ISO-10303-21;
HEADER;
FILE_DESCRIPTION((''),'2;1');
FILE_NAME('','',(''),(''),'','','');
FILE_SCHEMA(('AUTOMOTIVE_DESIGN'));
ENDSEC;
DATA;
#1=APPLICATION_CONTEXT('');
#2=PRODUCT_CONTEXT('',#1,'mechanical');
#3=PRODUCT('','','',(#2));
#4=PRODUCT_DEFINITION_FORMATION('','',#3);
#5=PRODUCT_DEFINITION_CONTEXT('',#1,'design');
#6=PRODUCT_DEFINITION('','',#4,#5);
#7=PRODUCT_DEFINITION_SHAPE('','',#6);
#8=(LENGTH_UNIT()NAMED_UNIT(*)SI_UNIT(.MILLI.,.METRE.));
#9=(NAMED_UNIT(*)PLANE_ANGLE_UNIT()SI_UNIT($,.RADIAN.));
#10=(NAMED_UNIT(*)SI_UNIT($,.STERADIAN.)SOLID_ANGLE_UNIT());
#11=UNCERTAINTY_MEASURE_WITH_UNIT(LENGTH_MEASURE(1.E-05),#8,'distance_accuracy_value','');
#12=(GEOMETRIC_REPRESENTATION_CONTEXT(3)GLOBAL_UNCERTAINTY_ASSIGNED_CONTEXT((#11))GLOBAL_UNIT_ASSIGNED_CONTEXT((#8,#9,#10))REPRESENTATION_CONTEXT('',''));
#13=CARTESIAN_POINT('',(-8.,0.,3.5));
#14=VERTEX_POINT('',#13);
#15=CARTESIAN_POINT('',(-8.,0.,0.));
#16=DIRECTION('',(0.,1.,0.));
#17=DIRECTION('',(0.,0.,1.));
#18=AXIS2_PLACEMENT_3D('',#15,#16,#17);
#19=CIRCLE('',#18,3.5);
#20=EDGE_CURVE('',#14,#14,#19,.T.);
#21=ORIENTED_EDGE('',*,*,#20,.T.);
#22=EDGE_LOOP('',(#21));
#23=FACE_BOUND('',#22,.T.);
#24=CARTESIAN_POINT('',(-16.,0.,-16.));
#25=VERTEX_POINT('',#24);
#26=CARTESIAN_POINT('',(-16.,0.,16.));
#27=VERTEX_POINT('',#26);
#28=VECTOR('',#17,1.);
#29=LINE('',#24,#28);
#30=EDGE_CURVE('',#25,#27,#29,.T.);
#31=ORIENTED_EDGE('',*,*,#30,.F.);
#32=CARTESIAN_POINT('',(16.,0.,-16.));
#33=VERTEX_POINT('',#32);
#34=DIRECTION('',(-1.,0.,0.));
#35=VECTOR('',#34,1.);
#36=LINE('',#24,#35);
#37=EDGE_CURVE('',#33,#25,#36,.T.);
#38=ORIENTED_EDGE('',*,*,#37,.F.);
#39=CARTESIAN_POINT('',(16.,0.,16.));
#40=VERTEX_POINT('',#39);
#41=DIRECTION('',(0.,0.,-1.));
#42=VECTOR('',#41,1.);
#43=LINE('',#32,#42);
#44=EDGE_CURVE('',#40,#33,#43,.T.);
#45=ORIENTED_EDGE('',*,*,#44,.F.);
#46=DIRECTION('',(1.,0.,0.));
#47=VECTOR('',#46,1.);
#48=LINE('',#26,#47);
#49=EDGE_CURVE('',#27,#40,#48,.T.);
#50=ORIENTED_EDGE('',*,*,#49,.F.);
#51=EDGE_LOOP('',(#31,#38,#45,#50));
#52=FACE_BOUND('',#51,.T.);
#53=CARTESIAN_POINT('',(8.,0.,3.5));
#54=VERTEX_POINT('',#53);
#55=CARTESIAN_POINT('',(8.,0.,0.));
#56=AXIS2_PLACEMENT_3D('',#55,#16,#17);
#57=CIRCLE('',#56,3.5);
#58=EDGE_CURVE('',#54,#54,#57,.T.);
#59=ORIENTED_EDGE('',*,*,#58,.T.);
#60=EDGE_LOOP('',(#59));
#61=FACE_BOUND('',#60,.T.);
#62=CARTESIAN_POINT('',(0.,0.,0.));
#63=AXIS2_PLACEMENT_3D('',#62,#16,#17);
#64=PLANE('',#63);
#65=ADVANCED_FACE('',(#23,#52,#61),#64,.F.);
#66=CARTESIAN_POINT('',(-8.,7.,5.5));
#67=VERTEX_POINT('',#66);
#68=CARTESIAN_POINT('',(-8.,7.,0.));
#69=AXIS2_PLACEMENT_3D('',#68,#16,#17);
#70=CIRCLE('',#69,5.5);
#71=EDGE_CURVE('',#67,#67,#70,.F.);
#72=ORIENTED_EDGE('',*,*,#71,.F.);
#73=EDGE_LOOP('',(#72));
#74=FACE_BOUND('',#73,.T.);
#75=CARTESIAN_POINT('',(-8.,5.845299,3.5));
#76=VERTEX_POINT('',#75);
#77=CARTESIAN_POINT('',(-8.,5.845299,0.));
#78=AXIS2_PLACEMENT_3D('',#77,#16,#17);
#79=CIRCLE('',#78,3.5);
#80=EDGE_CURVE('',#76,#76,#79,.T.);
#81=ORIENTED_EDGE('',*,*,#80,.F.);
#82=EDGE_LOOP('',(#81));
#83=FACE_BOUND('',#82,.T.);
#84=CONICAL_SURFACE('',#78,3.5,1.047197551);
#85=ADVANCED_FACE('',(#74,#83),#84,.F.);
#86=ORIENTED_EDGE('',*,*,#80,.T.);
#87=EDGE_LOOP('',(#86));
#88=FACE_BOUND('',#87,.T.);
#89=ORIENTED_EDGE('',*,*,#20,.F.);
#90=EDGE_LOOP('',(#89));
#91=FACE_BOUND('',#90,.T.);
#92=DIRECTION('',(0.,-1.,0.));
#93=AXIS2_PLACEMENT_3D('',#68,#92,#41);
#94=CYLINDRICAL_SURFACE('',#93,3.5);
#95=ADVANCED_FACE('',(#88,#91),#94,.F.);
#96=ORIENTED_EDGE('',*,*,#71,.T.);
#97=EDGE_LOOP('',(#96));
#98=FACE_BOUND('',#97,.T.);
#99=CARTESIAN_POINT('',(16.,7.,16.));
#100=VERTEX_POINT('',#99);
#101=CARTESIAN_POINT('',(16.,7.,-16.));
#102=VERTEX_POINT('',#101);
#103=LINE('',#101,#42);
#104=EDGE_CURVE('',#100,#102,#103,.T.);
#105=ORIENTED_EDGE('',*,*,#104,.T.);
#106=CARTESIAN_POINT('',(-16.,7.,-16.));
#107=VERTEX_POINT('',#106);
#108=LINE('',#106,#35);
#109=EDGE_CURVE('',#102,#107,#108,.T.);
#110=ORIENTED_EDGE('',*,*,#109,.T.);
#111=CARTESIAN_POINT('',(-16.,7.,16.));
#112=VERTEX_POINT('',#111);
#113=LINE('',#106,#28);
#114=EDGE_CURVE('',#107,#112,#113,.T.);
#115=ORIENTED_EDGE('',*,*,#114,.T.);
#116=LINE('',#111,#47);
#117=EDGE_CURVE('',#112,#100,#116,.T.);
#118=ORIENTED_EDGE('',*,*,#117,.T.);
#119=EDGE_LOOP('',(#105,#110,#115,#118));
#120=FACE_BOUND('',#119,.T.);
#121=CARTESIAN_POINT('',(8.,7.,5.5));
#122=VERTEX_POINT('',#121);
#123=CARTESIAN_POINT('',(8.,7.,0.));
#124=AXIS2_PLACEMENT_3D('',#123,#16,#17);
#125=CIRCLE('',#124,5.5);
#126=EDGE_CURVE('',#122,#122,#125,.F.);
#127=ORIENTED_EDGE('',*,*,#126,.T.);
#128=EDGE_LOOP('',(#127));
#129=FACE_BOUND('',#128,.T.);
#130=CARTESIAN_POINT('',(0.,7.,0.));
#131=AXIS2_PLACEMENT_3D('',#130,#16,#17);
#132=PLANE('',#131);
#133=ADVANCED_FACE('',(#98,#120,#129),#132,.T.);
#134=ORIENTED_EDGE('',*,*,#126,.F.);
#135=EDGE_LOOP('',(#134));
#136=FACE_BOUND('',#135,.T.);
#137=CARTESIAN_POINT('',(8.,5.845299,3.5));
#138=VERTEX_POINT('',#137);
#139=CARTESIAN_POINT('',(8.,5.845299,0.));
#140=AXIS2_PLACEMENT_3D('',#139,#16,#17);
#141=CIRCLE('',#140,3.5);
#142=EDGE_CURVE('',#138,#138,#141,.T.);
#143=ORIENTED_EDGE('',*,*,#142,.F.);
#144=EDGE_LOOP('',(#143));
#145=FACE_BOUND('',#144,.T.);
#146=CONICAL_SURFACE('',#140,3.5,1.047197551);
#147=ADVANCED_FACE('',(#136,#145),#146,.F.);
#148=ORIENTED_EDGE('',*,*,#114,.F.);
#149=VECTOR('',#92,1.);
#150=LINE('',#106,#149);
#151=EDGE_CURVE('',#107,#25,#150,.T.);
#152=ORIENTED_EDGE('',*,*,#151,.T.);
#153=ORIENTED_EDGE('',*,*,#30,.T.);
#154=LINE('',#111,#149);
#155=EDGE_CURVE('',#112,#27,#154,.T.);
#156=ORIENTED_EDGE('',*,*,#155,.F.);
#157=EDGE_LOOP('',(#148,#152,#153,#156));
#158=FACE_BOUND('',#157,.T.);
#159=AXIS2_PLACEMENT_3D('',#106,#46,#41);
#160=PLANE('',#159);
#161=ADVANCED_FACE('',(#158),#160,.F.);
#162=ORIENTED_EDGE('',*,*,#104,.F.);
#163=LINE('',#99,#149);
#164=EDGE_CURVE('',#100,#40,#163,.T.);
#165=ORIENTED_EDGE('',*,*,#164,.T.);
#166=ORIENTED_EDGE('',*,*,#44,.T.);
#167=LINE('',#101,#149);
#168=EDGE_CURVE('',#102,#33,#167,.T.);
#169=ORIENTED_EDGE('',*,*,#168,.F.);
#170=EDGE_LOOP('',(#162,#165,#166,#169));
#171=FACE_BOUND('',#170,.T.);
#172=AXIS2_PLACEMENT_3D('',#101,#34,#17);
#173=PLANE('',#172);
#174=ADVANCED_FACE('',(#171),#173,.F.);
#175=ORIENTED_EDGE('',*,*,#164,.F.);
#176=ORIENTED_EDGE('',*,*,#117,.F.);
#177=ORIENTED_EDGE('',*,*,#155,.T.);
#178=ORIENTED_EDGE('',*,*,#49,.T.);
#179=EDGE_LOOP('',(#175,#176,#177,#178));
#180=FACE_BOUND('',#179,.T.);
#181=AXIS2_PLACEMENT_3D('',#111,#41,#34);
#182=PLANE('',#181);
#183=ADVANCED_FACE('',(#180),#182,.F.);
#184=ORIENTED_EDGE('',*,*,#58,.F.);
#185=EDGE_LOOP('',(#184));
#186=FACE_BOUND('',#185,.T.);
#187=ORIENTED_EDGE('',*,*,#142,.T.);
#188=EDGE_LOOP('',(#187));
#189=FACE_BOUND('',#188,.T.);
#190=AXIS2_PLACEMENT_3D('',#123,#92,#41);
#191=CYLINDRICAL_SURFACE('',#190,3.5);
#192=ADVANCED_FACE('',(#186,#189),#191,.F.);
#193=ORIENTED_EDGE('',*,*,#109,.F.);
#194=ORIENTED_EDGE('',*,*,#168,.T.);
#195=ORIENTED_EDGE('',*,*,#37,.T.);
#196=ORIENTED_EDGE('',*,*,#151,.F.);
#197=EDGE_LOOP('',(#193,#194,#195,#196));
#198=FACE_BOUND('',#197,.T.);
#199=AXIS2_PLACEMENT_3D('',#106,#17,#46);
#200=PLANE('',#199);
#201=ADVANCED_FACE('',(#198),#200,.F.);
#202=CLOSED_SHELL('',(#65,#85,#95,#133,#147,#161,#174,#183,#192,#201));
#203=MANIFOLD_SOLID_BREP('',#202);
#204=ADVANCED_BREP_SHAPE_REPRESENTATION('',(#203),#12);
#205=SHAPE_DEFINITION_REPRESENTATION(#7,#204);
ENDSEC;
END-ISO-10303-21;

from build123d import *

# Parameters (mm, degrees)
SKETCH1_W           = 32
SKETCH1_H           = 32
SKETCH1_R           = 3.5
BOSS_EXTRUDE1_DEPTH = 7
CHAMFER2_SIZE       = 2
CHAMFER2_SIZE2      = 1.154700538


with BuildPart() as part:
    # Sketch1 → Boss-Extrude1 (new body)
    with BuildSketch(Plane(origin=(0, 0, 0), x_dir=(1, 0, 0), z_dir=(0, 1, 0))):
        Rectangle(SKETCH1_W, SKETCH1_H)
        with Locations(Location((-8, 0, 0), (0, 0, 270))):
            Circle(SKETCH1_R, mode=Mode.SUBTRACT)
        with Locations(Location((8, 0, 0), (0, 0, 270))):
            Circle(SKETCH1_R, mode=Mode.SUBTRACT)
    extrude(amount=BOSS_EXTRUDE1_DEPTH)

    # Chamfer2
    chamfer2_edges = [part.edges().sort_by_distance(p)[0] for p in [
        (-8, 7, -3.5),
        (8, 7, -3.5),
    ]]
    chamfer2_side = [part.faces().sort_by_distance(p)[0] for p in [
        (0, 7, 0),
    ]]
    chamfer(chamfer2_edges, length=CHAMFER2_SIZE, length2=CHAMFER2_SIZE2, reference=chamfer2_side[0])


solid = part.part
